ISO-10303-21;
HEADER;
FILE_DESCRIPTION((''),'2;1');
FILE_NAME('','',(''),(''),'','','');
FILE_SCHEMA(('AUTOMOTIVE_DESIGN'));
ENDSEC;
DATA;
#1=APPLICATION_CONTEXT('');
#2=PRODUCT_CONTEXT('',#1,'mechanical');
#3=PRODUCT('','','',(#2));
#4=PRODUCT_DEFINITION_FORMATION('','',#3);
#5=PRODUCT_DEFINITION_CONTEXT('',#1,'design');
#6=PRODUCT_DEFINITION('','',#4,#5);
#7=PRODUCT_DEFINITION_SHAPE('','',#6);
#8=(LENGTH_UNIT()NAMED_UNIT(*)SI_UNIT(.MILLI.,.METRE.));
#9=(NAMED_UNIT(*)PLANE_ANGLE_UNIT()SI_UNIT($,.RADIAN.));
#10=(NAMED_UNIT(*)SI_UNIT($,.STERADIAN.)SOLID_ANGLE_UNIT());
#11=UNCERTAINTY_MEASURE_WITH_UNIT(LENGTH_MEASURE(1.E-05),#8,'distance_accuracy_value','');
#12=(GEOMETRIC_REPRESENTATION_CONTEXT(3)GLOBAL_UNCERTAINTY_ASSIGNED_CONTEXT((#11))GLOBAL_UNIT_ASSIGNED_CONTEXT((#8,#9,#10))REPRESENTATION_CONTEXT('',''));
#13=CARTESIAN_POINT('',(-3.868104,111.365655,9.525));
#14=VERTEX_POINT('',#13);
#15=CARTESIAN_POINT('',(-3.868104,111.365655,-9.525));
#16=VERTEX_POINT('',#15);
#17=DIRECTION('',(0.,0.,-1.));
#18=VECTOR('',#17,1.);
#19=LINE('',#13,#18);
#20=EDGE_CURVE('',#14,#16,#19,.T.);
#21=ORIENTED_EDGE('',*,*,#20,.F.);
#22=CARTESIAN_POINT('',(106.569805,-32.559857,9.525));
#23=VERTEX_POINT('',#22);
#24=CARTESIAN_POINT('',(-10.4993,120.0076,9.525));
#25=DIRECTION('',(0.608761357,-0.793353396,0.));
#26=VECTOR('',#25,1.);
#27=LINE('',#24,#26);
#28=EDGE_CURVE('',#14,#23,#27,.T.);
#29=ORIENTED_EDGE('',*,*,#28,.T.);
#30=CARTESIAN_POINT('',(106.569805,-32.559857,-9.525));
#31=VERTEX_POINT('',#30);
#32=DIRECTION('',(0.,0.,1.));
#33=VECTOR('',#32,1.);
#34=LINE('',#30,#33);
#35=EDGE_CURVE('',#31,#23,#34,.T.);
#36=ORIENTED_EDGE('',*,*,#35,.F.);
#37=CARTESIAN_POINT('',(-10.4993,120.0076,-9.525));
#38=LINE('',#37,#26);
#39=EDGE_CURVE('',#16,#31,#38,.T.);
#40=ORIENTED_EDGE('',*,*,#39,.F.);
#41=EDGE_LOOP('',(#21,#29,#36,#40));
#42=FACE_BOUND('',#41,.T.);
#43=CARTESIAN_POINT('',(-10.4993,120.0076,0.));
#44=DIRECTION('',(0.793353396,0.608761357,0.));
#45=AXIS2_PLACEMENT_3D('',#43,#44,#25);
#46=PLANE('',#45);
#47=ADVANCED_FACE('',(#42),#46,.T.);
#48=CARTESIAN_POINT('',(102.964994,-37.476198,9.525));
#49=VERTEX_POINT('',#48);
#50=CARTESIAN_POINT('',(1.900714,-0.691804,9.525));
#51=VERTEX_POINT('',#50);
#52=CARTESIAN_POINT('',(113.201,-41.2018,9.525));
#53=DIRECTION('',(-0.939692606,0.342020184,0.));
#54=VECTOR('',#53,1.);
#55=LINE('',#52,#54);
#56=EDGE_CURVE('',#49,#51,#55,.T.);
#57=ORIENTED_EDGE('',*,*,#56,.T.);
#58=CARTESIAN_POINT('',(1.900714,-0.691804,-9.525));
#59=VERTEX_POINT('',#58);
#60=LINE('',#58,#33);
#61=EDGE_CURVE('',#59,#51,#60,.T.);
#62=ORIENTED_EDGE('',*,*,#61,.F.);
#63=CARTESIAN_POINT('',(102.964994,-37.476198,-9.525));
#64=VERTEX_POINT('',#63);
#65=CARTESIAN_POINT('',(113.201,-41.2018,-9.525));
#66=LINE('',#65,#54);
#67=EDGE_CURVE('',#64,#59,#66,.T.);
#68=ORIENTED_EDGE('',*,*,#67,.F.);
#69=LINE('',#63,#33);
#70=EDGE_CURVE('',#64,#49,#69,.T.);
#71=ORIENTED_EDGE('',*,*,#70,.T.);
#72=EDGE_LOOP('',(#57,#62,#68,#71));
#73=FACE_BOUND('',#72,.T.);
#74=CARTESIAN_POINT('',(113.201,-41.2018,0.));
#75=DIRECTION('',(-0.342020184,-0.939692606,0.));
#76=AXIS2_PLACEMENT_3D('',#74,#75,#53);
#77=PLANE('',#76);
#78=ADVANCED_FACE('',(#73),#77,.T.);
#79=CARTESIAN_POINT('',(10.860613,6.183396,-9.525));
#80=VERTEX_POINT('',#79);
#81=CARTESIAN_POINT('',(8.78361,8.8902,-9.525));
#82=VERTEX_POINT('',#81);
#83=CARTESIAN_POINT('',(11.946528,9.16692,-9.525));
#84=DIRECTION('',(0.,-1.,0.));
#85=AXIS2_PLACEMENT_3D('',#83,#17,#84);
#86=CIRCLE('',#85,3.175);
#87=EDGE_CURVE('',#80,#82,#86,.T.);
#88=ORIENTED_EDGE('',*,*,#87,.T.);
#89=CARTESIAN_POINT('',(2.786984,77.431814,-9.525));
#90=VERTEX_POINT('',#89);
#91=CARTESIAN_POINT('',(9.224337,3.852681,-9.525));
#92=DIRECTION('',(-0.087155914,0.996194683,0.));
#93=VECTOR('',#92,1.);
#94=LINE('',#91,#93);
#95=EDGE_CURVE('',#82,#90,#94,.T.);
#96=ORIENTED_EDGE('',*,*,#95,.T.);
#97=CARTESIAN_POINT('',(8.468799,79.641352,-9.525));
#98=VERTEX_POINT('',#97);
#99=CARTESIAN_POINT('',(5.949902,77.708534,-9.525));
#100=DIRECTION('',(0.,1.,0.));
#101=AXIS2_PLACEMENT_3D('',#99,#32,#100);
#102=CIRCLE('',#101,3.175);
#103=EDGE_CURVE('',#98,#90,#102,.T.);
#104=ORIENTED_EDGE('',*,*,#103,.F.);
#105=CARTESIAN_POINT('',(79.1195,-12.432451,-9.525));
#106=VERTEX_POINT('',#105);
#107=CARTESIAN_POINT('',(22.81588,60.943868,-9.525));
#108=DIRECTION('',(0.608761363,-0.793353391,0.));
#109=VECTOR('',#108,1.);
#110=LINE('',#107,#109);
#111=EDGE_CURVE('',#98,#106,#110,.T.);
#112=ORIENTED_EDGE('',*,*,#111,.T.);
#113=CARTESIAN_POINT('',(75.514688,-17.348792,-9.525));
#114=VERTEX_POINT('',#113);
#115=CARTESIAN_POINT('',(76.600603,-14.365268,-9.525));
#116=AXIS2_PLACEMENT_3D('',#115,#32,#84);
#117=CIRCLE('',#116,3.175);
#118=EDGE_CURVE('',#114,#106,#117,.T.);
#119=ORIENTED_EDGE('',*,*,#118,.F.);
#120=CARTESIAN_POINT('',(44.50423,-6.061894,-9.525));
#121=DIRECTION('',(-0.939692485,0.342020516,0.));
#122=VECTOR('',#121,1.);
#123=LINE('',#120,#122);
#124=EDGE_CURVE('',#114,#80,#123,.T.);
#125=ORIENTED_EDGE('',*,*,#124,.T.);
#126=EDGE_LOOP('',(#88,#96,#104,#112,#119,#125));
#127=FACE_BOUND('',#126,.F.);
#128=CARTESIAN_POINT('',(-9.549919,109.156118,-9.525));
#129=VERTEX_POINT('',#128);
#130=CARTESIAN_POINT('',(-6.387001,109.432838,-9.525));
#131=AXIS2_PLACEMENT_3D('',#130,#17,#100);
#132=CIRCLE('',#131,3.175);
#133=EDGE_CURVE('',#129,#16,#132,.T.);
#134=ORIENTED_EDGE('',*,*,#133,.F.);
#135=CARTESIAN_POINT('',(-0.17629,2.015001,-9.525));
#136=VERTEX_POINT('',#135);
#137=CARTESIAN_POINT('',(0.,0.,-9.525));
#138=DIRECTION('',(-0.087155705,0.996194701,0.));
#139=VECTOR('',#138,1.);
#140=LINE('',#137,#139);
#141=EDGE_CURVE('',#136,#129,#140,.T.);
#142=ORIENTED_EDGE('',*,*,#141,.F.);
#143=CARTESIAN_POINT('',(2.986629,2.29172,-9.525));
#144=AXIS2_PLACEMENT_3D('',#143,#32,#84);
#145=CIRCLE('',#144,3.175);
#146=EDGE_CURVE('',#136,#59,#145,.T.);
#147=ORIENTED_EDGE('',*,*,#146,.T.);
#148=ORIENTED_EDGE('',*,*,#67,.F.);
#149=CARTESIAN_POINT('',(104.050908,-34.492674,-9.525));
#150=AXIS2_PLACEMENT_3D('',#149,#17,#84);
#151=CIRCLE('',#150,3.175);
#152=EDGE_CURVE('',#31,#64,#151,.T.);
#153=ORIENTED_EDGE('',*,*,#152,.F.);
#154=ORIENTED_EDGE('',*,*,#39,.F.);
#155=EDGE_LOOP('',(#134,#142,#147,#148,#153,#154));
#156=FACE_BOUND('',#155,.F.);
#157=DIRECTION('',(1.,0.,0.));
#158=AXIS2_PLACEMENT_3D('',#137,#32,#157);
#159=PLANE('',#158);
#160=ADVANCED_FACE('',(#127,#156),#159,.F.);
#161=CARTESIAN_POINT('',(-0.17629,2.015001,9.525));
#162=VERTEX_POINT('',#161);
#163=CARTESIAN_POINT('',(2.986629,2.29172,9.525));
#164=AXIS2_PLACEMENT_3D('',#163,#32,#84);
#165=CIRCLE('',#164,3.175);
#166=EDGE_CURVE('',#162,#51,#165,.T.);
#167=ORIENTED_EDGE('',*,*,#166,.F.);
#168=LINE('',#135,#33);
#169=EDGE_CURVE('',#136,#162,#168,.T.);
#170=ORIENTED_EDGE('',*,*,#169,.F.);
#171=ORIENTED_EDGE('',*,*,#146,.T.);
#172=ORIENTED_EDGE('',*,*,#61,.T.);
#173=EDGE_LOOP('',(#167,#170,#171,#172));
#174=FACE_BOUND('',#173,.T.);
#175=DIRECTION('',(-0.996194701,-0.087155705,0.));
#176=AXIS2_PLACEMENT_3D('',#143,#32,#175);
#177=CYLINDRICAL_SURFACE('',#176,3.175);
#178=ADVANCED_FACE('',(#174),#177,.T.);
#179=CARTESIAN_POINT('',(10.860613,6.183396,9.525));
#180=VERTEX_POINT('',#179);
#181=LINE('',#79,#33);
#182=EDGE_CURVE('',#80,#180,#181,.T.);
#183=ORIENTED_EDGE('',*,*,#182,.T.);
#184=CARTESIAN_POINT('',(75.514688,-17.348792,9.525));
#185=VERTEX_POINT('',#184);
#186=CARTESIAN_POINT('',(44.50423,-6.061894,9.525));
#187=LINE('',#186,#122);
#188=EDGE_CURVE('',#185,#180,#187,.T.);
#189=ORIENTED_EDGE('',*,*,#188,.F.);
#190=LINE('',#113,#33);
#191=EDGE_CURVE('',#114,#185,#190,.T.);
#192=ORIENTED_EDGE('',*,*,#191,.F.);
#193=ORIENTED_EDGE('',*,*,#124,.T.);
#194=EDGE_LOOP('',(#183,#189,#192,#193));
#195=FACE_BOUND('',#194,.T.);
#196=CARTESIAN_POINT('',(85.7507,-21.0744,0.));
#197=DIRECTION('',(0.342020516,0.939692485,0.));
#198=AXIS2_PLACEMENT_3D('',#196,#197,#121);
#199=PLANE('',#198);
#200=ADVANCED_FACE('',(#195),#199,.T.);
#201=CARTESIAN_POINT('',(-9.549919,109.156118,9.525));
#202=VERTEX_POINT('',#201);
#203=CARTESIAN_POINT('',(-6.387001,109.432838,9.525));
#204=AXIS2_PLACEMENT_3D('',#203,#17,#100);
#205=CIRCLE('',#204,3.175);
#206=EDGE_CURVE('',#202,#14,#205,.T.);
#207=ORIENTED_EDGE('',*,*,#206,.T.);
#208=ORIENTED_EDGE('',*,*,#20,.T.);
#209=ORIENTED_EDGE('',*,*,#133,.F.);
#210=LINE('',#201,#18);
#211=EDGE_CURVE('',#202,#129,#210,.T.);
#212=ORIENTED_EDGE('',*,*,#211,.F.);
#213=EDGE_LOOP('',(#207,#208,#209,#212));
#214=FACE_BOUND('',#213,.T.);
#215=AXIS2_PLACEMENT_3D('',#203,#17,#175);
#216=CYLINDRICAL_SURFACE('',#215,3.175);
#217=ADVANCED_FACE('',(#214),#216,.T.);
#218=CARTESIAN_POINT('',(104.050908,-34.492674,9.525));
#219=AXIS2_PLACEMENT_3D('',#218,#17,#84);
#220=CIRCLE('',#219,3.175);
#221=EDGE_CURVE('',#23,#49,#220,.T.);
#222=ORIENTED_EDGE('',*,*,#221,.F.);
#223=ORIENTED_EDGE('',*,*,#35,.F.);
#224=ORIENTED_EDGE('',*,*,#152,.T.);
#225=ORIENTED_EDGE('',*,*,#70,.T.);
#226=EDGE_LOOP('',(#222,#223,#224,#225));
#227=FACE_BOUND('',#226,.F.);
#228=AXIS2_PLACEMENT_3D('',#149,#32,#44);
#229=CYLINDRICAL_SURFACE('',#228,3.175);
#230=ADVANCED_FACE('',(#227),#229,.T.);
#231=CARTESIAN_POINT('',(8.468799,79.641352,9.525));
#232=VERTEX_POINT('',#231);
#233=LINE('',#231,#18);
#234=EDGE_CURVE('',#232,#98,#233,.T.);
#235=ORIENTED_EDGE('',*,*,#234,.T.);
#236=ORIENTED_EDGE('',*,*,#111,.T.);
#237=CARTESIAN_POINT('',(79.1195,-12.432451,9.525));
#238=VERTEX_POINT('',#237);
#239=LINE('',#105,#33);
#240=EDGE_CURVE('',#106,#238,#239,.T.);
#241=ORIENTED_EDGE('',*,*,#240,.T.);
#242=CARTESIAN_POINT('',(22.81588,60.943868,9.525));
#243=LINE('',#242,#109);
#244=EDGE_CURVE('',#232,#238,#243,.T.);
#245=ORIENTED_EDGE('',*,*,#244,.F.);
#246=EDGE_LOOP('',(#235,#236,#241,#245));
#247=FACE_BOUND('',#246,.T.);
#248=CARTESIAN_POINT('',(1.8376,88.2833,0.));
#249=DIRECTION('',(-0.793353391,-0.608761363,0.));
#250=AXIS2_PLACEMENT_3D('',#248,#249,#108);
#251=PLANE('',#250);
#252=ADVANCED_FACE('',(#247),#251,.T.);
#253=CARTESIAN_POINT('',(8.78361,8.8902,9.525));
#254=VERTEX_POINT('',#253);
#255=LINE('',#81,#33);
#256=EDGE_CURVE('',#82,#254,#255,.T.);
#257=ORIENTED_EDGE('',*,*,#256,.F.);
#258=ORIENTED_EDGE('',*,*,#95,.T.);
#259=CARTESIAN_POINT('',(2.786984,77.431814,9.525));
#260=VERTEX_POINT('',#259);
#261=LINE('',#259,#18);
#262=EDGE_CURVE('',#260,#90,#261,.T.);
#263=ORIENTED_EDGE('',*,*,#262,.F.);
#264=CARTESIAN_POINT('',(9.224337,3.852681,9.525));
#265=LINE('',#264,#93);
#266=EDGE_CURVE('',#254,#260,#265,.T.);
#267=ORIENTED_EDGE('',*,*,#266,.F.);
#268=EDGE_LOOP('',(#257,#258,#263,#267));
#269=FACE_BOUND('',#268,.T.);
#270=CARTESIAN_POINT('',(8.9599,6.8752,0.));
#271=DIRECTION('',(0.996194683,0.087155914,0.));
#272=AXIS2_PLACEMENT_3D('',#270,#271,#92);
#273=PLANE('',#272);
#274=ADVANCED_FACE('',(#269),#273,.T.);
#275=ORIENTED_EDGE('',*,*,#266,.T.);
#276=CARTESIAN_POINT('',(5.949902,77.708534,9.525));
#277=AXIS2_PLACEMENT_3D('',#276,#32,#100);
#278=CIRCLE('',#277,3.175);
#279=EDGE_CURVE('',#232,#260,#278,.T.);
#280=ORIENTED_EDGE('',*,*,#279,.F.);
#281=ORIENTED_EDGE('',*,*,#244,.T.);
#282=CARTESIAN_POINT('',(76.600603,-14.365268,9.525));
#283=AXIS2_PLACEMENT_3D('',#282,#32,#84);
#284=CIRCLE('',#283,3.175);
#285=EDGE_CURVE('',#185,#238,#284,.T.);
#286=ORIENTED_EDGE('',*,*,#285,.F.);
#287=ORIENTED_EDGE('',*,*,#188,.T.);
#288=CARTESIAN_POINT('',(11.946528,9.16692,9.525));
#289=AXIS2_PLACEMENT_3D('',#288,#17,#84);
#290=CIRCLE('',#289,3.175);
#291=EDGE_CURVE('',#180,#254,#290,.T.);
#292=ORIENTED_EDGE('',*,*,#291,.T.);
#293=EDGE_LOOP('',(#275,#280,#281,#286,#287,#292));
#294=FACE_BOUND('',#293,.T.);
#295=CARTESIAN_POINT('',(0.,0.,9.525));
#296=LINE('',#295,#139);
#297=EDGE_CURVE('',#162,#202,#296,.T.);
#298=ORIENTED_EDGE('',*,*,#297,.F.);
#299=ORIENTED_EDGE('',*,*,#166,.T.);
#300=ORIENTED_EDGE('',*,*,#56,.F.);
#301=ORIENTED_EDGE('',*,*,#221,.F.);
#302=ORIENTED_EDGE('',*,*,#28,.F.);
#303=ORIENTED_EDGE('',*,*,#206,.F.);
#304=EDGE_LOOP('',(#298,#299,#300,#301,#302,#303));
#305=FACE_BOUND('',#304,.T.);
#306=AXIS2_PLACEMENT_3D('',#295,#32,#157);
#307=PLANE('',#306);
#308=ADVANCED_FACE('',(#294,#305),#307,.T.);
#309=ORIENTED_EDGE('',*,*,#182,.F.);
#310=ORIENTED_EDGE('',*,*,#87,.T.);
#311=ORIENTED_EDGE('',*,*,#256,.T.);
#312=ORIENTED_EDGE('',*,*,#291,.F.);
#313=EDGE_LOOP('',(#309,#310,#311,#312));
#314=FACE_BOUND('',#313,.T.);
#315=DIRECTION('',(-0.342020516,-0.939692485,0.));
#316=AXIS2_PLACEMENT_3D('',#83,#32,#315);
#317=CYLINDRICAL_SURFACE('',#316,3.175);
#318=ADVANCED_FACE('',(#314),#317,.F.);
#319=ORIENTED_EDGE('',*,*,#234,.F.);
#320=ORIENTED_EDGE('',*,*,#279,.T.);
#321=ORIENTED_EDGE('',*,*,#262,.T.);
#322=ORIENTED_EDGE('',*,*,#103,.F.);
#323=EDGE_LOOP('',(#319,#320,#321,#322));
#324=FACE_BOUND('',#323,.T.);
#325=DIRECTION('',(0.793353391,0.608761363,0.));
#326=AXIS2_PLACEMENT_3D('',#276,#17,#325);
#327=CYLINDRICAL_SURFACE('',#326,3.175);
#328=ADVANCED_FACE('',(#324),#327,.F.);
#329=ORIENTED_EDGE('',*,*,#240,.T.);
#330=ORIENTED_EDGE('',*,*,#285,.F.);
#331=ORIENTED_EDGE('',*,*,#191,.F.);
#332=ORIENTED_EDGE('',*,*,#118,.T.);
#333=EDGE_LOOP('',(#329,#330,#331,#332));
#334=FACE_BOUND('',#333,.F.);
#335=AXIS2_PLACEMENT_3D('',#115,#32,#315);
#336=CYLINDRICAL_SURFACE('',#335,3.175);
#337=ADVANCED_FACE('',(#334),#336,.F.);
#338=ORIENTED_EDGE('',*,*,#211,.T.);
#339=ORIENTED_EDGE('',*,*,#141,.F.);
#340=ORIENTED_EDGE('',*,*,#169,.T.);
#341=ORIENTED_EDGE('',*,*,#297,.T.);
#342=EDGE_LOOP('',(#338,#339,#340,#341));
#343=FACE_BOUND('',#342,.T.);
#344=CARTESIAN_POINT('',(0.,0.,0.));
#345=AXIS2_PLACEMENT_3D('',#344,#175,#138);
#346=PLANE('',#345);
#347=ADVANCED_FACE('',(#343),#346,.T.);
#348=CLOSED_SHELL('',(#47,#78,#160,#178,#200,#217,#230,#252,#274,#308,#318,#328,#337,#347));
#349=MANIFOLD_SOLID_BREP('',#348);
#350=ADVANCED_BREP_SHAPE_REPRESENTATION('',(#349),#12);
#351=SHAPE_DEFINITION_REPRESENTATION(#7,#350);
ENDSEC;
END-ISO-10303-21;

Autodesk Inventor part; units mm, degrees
ref_plane "YZ Plane" through (0, 0, 0) normal (1, 0, 0) x (0, 1, 0)
ref_plane "XZ Plane" through (0, 0, 0) normal (0, 1, 0) x (-1, 0, 0)
ref_plane "XY Plane" through (0, 0, 0) normal (0, 0, 1) x (1, 0, 0)
sketch "Sketch1" plane through (0, 0, 0) normal (0, 0, 1) x (1, 0, 0)
  line L0 (0, 0) -> (-10.4993, 120.0076)
  line L1 (-10.4993, 120.0076) -> (113.201, -41.2018)
  line L2 (113.201, -41.2018) -> (0, 0)
  dimension "d23" = 115
  dimension "d24" = 203.2
  dimension "d31" = 32.5
extrude "Extrusion1" add sketch "Sketch1" along normal mid plane 19.05
sketch "Sketch2" plane through (0, 0, 0) normal (0, 0, 1) x (1, 0, 0)
  line L0 (8.9599, 6.8752) -> (1.8376, 88.2833)
  line L1 (1.8376, 88.2833) -> (85.7507, -21.0744)
  line L2 (85.7507, -21.0744) -> (8.9599, 6.8752)
  line L3 (0, 0) -> (-10.4993, 120.0076) projected
  line L4 (-10.4993, 120.0076) -> (113.201, -41.2018) projected
  line L5 (113.201, -41.2018) -> (0, 0) projected
  dimension "d4" = 9.525
  dimension "d5" = 9.525
  dimension "d6" = 9.525
extrude "Extrusion2" cut sketch "Sketch2" against normal through all both and the other way through all contours L0 L1 L2
fillet "Fillet1" radius 3.175 3 edges at (-10.4993, 120.0076, 0) (0, 0, 0) (113.201, -41.2018, 0)
fillet "Fillet2" radius 3.175 3 edges at (1.8376, 88.2833, 0) (8.9599, 6.8752, 0) (85.7507, -21.0744, 0)
equation "\"d23\" = longAngle"
equation "\"d24\" = maxLength"
equation "\"d31\" = basicAngle"
equation "\"d2\" = width"
equation "\"d4\" = wallThickness"
equation "\"d5\" = wallThickness"
equation "\"d6\" = wallThickness"
equation "\"d32\" = fillet"
equation "\"d33\" = fillet"
equation "\"maxLength\" = 203.2"
equation "\"width\" = 19.05"
equation "\"wallThickness\" = 9.525"
equation "\"longAngle\" = 115deg"
equation "\"fillet\" = 3.175"
equation "\"basicAngle\" = 32.5deg"
properties part number "stopForSaltChute"
